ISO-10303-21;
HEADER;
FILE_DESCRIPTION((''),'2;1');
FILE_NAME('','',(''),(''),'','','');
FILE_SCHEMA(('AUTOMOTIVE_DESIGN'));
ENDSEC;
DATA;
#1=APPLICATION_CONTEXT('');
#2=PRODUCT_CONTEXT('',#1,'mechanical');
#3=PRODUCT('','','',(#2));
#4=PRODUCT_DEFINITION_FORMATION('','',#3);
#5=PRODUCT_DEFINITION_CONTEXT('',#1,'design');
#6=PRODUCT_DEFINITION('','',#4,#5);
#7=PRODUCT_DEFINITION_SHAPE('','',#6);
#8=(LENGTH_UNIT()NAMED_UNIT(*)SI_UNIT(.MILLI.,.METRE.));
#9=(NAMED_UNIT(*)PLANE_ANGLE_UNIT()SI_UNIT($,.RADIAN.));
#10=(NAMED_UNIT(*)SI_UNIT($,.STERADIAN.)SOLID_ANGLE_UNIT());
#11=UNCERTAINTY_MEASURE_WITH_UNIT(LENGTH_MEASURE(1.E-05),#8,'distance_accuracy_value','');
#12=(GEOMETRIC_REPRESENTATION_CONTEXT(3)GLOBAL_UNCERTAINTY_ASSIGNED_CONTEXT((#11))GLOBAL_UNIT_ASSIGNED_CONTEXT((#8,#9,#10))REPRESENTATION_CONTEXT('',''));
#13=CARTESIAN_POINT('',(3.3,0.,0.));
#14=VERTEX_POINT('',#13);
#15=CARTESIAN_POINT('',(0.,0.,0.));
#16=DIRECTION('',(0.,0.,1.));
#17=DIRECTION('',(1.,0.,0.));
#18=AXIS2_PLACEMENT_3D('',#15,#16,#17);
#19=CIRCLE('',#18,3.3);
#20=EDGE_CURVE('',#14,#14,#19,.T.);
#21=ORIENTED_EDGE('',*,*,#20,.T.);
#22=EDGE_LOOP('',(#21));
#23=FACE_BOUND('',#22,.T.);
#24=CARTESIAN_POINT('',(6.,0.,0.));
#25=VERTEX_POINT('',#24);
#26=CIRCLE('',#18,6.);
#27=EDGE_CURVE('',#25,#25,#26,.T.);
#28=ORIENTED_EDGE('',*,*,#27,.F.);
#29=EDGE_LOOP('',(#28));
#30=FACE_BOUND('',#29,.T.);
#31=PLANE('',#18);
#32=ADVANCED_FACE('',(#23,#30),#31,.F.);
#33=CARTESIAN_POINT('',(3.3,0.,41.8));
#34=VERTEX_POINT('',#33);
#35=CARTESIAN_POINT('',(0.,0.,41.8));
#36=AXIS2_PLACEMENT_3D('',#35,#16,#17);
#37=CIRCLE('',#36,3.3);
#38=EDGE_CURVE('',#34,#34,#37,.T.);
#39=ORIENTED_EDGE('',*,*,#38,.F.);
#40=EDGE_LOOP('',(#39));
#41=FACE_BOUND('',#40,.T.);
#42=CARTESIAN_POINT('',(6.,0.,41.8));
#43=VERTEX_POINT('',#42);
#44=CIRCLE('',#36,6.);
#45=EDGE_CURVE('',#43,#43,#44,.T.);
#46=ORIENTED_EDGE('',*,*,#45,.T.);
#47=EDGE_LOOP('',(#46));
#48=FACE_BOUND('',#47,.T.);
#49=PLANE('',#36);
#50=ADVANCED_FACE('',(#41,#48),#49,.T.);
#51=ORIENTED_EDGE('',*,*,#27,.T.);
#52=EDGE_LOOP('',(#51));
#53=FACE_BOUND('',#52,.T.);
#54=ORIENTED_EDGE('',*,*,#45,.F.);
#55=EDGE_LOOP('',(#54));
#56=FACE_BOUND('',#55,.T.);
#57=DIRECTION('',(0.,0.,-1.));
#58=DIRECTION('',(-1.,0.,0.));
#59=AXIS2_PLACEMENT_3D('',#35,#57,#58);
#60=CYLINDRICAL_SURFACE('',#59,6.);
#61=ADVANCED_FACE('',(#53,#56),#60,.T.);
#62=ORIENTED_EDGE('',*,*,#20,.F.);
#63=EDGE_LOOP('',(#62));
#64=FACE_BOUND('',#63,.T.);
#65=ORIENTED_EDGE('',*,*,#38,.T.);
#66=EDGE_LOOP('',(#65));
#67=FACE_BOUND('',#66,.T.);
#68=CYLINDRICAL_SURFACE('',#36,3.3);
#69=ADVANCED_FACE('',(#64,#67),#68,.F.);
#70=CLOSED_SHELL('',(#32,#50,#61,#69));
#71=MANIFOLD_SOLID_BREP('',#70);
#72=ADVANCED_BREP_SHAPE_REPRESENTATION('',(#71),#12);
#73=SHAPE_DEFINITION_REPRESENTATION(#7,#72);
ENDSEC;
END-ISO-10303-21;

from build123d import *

# Parameters (mm, degrees)
SKETCH1_R            = 6
BOSS_EXTRUDE1_DEPTH  = 41.8
M6_CLEARANCE_HOLE1_D = 6.6


with BuildPart() as part:
    # Sketch1 → Boss-Extrude1 (new body)
    with BuildSketch(Plane.XY):
        Circle(SKETCH1_R)
    extrude(amount=BOSS_EXTRUDE1_DEPTH)

    # M6 Clearance Hole1 (through all)
    with Locations(Plane.XY.offset(41.8)):
        with Locations((0, 0)):
            Hole(M6_CLEARANCE_HOLE1_D / 2)


solid = part.part
